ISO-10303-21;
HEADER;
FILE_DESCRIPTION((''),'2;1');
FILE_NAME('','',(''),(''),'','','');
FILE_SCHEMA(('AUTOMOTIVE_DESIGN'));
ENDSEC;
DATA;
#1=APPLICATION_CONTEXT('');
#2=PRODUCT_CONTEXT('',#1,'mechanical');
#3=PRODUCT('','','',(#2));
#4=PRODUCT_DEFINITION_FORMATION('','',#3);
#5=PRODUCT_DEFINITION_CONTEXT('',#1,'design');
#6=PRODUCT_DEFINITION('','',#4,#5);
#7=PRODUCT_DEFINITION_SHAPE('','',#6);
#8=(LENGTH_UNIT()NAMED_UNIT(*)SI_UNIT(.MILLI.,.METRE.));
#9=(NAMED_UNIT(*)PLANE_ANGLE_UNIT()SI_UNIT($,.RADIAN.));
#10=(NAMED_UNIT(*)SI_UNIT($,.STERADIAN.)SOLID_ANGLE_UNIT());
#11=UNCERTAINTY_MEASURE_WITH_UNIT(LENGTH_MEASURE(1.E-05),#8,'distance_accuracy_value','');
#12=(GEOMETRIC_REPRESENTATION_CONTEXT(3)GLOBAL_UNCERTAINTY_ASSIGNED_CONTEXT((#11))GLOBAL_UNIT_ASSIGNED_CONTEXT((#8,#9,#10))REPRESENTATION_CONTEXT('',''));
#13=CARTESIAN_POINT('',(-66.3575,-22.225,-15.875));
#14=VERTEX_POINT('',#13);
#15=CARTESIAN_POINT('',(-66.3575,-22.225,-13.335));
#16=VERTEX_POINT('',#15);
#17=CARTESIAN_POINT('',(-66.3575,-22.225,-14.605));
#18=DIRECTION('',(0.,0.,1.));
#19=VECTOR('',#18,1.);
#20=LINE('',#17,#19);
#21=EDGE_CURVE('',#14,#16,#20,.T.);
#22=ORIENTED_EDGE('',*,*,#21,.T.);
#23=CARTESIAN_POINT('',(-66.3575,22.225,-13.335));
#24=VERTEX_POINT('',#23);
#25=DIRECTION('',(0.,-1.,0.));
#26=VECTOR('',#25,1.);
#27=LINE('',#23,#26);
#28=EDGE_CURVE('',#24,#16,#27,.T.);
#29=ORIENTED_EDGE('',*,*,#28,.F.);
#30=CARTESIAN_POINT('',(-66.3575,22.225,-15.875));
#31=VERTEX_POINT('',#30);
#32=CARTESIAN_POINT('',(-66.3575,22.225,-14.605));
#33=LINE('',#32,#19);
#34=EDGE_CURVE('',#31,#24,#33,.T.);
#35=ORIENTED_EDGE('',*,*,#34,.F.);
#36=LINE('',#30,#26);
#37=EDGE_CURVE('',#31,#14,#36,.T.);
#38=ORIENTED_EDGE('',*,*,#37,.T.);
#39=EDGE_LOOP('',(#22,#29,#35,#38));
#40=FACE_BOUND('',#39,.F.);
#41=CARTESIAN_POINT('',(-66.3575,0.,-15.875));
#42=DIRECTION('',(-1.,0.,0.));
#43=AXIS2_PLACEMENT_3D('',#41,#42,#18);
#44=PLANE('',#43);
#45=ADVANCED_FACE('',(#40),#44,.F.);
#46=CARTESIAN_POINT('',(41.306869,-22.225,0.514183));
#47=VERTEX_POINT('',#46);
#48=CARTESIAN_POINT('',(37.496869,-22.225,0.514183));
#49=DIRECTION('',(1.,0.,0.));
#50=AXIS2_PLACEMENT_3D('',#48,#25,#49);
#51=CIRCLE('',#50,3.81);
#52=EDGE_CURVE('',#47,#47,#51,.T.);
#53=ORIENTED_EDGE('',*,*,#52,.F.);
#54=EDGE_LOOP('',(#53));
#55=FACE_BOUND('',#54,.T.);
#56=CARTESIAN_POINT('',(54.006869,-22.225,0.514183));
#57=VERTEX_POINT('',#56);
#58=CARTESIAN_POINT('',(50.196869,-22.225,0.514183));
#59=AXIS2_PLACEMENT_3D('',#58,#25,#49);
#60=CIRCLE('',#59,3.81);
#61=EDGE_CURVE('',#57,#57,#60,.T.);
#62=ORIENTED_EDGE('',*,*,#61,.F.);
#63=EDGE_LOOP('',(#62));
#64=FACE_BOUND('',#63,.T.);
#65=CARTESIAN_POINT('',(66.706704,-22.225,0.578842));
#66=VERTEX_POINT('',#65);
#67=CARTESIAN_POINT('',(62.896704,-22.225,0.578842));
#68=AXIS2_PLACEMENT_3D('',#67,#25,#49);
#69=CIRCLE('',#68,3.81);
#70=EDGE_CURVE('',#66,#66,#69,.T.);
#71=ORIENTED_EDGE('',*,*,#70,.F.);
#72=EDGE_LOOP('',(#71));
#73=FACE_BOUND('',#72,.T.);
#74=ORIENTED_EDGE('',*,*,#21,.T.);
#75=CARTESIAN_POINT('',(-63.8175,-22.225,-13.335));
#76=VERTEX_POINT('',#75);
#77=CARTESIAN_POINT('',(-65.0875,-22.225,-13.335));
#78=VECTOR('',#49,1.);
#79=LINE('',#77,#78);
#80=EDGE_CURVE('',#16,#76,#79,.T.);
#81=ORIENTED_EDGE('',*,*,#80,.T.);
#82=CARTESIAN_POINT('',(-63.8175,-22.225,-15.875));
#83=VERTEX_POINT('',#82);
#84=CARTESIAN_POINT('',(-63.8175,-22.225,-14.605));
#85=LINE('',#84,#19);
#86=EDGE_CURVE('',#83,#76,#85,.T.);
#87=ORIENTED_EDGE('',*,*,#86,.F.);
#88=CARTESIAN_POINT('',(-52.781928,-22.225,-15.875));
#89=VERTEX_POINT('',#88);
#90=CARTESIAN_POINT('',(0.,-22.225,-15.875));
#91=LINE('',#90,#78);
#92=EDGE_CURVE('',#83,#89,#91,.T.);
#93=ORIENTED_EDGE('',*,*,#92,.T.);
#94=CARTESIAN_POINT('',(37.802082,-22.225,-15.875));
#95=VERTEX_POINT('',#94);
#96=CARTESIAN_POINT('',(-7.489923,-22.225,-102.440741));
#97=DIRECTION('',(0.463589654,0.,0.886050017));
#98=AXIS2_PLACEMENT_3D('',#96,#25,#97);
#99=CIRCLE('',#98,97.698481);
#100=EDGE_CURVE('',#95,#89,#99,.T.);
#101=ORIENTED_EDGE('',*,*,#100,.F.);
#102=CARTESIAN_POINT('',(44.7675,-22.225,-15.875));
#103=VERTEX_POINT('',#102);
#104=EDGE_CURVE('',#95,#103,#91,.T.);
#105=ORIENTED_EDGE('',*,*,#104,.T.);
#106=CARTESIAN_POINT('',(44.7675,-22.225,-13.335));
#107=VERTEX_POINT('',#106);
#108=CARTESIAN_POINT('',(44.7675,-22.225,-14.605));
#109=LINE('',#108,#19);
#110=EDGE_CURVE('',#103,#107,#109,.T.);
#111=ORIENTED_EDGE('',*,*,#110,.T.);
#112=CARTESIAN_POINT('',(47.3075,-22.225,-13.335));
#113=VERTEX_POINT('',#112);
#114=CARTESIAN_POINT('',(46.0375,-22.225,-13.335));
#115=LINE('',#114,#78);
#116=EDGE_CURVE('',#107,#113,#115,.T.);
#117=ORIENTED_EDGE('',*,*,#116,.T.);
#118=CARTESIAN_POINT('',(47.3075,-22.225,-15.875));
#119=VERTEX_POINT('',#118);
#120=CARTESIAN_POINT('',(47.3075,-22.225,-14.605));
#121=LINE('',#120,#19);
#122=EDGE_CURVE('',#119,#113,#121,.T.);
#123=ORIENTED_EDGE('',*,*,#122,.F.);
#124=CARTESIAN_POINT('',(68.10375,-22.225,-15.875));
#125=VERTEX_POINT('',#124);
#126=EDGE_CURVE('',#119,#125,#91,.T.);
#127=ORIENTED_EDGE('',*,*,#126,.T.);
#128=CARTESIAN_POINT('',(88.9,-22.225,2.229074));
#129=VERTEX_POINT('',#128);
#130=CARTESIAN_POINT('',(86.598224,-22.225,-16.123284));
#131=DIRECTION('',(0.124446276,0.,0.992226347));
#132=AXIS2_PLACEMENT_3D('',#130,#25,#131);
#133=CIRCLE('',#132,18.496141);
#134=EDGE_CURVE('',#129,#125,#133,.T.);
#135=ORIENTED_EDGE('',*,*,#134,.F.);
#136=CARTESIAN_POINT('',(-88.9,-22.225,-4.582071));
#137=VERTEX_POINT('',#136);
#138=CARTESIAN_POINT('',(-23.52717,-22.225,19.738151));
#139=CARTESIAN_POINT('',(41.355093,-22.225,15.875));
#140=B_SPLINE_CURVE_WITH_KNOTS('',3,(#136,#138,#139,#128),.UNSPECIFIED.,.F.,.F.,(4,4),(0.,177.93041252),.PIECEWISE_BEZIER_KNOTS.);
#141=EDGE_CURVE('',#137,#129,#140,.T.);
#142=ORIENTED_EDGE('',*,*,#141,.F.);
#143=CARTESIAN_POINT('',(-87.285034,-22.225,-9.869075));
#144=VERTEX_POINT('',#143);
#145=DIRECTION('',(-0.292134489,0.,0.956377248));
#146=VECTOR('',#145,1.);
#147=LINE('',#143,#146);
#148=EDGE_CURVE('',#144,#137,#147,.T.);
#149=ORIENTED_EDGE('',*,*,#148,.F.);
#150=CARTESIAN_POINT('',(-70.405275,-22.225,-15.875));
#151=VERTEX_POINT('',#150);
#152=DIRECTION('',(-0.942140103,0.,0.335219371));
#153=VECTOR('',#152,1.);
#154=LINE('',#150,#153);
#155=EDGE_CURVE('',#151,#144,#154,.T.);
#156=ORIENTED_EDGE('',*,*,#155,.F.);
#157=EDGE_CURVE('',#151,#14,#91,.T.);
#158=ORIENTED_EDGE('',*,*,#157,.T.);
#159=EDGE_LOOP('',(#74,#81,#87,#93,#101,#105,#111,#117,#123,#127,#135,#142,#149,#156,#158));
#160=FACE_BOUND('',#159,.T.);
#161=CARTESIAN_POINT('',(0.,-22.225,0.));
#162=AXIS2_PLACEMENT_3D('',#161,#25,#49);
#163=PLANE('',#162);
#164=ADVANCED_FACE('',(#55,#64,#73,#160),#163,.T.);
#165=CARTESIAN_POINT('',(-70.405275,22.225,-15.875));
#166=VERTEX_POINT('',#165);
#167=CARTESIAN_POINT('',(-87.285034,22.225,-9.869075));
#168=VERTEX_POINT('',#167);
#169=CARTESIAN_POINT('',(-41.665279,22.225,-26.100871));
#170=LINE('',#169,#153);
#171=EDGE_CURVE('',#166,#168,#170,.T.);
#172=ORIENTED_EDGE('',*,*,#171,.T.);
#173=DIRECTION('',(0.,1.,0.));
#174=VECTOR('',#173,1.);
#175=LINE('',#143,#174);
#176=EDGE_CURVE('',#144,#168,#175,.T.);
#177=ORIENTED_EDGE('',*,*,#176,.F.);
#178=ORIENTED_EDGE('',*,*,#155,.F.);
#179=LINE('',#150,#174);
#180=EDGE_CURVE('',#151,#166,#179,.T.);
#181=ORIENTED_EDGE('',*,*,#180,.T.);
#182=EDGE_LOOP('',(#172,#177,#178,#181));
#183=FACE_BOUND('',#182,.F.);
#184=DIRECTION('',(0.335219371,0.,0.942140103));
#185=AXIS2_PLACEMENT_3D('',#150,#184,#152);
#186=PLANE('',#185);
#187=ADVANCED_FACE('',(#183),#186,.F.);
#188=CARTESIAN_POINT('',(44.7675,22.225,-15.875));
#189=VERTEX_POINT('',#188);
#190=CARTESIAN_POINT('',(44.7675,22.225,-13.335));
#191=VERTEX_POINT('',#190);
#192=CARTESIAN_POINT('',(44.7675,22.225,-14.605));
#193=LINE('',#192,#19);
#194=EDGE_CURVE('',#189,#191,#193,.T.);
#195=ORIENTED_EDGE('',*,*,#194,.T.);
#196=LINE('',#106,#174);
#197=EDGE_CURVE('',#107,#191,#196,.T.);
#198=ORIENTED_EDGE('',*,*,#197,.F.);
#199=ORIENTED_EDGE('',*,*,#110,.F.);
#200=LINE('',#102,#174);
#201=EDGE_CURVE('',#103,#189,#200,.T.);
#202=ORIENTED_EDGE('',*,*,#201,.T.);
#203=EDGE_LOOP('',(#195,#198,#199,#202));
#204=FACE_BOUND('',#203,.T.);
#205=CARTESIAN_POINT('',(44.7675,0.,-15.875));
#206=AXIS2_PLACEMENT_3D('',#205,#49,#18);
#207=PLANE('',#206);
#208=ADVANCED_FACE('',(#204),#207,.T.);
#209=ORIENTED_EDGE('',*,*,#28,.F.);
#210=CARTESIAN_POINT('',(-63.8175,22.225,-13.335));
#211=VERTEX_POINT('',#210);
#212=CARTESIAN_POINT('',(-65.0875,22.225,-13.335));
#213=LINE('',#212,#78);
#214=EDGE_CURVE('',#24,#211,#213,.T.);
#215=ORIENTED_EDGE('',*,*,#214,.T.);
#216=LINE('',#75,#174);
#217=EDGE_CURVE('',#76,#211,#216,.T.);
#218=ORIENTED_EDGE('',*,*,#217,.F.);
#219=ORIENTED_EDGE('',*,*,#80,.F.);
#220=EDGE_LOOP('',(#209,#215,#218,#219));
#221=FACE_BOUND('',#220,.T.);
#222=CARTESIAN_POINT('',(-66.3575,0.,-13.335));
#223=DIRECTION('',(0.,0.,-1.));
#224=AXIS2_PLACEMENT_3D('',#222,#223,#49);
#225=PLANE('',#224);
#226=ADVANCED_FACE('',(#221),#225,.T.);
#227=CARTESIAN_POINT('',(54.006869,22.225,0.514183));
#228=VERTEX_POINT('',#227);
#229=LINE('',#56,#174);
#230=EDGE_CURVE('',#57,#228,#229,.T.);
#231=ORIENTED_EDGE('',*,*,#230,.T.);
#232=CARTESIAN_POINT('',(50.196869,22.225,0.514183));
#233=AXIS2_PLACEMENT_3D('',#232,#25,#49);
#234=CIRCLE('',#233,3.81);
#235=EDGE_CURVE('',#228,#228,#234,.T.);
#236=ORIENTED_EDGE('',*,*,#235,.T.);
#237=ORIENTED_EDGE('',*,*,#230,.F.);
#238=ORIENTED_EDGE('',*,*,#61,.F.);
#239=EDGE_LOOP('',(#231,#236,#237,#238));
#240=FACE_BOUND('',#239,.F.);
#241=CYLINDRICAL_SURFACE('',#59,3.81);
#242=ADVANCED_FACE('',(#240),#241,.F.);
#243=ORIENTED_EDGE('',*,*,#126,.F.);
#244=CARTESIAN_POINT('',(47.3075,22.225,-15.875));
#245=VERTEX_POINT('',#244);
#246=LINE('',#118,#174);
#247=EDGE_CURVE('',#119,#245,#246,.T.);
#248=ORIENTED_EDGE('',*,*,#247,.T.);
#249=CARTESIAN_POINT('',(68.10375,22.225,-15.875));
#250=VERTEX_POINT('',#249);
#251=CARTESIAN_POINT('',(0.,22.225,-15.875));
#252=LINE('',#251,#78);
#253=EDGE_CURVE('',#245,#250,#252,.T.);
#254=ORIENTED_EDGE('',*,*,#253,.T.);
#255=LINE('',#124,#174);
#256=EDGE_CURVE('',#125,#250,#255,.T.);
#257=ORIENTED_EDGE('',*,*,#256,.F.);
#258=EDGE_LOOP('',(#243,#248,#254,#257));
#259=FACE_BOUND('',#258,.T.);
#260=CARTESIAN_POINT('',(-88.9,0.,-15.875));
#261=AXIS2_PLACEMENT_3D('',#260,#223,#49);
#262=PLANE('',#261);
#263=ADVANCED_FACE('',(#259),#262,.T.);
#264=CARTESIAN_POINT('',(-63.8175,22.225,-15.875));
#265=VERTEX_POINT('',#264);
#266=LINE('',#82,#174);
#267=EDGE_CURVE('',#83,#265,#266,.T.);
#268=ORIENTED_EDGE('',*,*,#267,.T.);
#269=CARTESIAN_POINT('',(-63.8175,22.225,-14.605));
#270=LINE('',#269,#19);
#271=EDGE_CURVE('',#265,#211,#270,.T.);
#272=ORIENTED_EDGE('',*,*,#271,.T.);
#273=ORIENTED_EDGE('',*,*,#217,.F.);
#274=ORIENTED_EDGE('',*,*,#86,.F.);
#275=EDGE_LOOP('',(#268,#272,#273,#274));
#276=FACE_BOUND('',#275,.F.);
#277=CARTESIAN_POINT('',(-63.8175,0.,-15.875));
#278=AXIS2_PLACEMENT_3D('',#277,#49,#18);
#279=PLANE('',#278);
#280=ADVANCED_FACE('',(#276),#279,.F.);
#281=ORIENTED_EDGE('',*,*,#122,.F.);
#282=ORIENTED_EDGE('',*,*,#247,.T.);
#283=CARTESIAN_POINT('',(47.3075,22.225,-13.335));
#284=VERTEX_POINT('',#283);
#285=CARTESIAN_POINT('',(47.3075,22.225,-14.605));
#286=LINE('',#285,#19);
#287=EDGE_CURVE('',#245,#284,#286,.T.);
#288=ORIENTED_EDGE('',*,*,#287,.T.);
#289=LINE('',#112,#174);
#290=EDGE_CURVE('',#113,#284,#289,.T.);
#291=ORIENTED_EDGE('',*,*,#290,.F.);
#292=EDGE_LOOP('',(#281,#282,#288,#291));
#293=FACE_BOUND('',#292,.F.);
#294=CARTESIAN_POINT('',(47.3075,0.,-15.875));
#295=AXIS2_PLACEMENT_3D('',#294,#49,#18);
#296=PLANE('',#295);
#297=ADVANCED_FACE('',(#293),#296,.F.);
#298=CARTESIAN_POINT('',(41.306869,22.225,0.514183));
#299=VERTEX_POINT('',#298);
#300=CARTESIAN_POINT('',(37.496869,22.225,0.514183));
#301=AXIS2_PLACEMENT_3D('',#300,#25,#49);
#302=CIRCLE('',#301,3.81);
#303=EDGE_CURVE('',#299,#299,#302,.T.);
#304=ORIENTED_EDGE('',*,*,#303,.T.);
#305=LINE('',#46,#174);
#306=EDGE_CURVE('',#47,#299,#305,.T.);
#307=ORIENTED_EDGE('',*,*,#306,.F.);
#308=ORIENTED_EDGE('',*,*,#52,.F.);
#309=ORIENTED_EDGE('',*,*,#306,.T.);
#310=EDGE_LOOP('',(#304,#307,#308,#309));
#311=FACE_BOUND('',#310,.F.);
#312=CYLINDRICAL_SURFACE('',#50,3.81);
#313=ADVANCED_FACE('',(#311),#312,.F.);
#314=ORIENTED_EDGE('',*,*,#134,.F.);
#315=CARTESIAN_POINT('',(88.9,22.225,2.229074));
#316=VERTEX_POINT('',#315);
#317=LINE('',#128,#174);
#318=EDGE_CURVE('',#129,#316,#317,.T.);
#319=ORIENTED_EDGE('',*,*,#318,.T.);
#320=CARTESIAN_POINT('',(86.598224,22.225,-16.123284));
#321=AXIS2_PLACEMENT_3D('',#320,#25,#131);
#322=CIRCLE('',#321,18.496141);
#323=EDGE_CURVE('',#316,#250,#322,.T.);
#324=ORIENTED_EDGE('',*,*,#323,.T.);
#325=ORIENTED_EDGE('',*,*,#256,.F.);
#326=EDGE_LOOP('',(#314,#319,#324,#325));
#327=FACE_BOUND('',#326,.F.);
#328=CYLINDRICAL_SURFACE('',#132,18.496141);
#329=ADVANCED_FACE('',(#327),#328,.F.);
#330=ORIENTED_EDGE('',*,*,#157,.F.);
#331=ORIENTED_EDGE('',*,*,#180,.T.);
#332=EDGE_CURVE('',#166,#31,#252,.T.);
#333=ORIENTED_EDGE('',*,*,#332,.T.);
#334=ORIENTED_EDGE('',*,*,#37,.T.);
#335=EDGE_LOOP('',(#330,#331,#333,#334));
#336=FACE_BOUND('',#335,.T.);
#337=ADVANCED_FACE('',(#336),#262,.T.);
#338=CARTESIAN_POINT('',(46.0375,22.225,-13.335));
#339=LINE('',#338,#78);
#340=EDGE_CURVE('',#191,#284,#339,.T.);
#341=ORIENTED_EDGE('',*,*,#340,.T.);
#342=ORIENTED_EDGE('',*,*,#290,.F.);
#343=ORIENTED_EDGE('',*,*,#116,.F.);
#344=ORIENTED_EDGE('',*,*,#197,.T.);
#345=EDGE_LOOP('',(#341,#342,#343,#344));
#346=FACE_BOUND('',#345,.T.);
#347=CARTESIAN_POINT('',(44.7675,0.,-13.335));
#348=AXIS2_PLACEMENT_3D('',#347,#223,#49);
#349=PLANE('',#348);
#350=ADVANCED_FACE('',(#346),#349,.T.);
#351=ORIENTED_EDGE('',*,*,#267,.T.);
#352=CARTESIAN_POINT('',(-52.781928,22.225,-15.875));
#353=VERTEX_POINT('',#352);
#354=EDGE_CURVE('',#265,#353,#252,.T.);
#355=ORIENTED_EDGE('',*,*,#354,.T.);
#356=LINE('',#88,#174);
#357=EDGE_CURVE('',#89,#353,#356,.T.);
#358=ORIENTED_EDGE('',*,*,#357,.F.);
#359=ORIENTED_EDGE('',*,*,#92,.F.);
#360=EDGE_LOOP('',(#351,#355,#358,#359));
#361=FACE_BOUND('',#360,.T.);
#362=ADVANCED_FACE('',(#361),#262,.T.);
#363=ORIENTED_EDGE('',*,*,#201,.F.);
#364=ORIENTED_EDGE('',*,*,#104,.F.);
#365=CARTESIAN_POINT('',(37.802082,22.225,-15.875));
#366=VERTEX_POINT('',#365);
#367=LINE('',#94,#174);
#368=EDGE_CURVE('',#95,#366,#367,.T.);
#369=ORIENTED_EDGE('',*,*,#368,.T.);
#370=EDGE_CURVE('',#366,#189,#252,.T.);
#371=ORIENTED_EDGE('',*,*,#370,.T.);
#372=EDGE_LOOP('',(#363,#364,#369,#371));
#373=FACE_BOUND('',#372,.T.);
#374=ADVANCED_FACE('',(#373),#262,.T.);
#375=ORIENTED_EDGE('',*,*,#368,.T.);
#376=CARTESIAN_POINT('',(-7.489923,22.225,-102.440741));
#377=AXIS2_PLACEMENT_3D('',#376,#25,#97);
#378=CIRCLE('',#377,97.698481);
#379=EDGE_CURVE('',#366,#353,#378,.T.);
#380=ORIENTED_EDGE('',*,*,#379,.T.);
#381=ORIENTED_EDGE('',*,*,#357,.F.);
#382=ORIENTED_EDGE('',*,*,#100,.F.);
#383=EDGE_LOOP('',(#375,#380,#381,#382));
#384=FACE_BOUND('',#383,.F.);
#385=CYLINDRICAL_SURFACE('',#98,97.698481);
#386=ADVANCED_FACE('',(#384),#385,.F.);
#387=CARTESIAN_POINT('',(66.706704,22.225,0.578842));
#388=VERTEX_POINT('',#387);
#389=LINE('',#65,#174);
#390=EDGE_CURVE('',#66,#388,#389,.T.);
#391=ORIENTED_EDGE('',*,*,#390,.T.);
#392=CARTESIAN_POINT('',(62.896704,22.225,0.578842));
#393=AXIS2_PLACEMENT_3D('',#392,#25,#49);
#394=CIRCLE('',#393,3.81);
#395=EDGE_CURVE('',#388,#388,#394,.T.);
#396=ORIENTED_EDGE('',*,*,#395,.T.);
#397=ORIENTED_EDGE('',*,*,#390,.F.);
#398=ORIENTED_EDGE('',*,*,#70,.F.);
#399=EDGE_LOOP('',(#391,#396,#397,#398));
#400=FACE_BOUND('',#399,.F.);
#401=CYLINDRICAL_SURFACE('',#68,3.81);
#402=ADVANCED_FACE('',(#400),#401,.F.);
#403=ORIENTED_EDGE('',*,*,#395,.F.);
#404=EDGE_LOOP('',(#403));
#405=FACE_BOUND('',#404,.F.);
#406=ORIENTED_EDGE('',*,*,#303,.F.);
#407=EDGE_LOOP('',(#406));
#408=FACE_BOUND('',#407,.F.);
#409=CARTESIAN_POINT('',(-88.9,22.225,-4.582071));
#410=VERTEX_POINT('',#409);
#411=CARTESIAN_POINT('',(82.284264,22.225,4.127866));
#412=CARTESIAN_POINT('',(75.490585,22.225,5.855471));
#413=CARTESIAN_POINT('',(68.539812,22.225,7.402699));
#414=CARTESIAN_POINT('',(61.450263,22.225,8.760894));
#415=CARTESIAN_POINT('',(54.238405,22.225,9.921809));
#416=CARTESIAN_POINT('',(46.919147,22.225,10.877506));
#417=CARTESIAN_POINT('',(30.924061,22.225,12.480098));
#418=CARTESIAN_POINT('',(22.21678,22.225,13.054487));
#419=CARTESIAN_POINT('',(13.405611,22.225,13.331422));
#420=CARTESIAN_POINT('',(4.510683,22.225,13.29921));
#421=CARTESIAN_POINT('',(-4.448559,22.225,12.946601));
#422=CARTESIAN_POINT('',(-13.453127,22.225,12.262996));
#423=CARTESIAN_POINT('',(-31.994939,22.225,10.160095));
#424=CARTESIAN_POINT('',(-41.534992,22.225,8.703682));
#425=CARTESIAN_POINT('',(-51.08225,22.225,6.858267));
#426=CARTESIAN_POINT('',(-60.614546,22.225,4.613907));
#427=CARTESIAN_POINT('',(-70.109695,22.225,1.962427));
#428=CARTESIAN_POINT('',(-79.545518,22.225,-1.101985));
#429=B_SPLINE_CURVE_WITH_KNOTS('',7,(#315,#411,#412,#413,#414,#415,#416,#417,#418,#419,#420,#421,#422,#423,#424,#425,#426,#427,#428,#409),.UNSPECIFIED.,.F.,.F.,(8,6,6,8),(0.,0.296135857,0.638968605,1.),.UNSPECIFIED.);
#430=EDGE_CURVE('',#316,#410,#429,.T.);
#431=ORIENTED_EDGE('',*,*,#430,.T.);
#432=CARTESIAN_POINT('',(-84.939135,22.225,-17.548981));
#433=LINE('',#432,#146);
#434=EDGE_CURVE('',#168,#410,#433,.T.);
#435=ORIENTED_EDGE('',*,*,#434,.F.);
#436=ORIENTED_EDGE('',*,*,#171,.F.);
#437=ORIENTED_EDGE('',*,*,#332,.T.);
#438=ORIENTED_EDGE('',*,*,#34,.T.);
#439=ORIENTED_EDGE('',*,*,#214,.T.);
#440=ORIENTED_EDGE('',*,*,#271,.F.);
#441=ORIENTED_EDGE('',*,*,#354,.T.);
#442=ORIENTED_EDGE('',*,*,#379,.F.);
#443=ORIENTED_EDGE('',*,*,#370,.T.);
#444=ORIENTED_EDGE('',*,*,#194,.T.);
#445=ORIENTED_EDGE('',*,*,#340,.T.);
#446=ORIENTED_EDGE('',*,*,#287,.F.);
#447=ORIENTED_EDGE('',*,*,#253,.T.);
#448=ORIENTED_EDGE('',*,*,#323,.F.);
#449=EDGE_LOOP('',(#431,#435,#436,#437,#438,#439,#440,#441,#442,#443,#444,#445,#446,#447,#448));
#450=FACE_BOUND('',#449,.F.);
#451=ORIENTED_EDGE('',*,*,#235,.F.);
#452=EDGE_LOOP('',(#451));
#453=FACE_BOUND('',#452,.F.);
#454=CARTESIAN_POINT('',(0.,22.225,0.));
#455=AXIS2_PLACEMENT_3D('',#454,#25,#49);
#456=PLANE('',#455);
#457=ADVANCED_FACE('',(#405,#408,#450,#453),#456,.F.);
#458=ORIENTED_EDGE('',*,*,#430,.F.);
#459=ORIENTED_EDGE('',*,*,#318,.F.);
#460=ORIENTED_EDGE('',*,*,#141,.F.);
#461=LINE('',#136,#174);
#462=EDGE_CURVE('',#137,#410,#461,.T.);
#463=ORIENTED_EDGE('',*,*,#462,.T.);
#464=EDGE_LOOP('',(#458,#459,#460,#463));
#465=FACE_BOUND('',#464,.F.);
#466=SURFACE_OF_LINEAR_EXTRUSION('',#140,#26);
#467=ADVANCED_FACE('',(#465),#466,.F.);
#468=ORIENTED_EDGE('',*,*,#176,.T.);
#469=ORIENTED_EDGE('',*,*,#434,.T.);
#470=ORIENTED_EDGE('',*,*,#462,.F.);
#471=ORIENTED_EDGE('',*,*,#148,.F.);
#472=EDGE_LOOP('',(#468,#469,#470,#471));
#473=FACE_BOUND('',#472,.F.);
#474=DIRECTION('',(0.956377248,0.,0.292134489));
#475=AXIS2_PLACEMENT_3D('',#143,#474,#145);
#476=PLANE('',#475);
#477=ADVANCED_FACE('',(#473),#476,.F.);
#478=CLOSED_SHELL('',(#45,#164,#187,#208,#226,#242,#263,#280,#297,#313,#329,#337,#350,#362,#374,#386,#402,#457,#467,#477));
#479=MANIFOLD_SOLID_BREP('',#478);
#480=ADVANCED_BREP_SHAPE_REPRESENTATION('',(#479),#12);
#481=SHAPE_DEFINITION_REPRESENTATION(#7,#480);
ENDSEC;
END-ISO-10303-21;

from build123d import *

# Parameters (mm, degrees)
F0_W          = 177.8
F0_H          = 31.75
F5_DEPTH      = 22.225
F1_W          = 2.54
F1_H          = 2.54
F2_DEPTH      = 22.225
F2_DEPTH_BACK = 22.225
F3_R          = 3.81
F4_DEPTH      = 101.6


with BuildPart() as f5:
    # F0 (on Front) → F5 (new body, symmetric)
    with BuildSketch(Plane.XZ):
        Rectangle(F0_W, F0_H)
    extrude(amount=F5_DEPTH, both=True)

    # F1 (on Front) → F2 (cut, two sides)
    with BuildSketch(Plane.XZ) as f2_sk:
        with Locations((-65.0875, -14.605)):
            Rectangle(F1_W, F1_H)
        with Locations((46.0375, -14.605)):
            Rectangle(F1_W, F1_H)
    extrude(amount=F2_DEPTH, mode=Mode.SUBTRACT)
    extrude(f2_sk.sketch, amount=-F2_DEPTH_BACK, mode=Mode.SUBTRACT)

    # F3 (on face) → F4 (cut)
    with BuildSketch(Plane.XZ.offset(22.225)):
        with BuildLine():
            Line((-87.2850343585, -9.8690753803), (-88.9, -4.5820707456))
            add(Edge.make_bspline(
                [(-88.9, -4.5820707456), (-23.5271696001, 19.7381507605), (41.3550932653, 15.875), (88.9, 2.2290744901)],
                knots=[0, 0, 0, 0, 177.9304125197, 177.9304125197, 177.9304125197, 177.9304125197], degree=3))
            ThreePointArc((88.9, 2.2290744901), (74.4536678544, -2.1727649281), (68.10375, -15.875))
            Line((68.10375, -15.875), (90.8870175481, -24.3202205747))
            Line((90.8870175481, -24.3202205747), (97.0551893115, -13.2175106555))
            Line((97.0551893115, -13.2175106555), (95.2541902661, 10.2215418592))
            Line((95.2541902661, 10.2215418592), (84.6801921725, 31.5457955003))
            Line((84.6801921725, 31.5457955003), (-24.4083367288, 31.5457955003))
            Line((-24.4083367288, 31.5457955003), (-91.2008285522, 31.5457955003))
            Line((-91.2008285522, 31.5457955003), (-99.3075743318, -4.2296038009))
            Line((-99.3075743318, -4.2296038009), (-93.3156237006, -24.4964528829))
            Line((-93.3156237006, -24.4964528829), (-70.4052746296, -15.875))
            Line((-70.4052746296, -15.875), (-87.2850343585, -9.8690753803))
        make_face()
        with Locations((37.4968686472, 0.5141830338)):
            Circle(F3_R)
        with Locations((50.1968686472, 0.5141830338)):
            Circle(F3_R)
        with Locations((62.8967040475, 0.578842176)):
            Circle(F3_R)
        with BuildLine():
            Line((-8.0186231062, -30.1359239966), (37.8020815551, -15.875))
            ThreePointArc((37.8020815551, -15.875), (-7.4899233878, -4.7422597793), (-52.7819283307, -15.875))
            Line((-52.7819283307, -15.875), (-8.0186231062, -30.1359239966))
        make_face()
    extrude(amount=-F4_DEPTH, mode=Mode.SUBTRACT)


solid = f5.part
